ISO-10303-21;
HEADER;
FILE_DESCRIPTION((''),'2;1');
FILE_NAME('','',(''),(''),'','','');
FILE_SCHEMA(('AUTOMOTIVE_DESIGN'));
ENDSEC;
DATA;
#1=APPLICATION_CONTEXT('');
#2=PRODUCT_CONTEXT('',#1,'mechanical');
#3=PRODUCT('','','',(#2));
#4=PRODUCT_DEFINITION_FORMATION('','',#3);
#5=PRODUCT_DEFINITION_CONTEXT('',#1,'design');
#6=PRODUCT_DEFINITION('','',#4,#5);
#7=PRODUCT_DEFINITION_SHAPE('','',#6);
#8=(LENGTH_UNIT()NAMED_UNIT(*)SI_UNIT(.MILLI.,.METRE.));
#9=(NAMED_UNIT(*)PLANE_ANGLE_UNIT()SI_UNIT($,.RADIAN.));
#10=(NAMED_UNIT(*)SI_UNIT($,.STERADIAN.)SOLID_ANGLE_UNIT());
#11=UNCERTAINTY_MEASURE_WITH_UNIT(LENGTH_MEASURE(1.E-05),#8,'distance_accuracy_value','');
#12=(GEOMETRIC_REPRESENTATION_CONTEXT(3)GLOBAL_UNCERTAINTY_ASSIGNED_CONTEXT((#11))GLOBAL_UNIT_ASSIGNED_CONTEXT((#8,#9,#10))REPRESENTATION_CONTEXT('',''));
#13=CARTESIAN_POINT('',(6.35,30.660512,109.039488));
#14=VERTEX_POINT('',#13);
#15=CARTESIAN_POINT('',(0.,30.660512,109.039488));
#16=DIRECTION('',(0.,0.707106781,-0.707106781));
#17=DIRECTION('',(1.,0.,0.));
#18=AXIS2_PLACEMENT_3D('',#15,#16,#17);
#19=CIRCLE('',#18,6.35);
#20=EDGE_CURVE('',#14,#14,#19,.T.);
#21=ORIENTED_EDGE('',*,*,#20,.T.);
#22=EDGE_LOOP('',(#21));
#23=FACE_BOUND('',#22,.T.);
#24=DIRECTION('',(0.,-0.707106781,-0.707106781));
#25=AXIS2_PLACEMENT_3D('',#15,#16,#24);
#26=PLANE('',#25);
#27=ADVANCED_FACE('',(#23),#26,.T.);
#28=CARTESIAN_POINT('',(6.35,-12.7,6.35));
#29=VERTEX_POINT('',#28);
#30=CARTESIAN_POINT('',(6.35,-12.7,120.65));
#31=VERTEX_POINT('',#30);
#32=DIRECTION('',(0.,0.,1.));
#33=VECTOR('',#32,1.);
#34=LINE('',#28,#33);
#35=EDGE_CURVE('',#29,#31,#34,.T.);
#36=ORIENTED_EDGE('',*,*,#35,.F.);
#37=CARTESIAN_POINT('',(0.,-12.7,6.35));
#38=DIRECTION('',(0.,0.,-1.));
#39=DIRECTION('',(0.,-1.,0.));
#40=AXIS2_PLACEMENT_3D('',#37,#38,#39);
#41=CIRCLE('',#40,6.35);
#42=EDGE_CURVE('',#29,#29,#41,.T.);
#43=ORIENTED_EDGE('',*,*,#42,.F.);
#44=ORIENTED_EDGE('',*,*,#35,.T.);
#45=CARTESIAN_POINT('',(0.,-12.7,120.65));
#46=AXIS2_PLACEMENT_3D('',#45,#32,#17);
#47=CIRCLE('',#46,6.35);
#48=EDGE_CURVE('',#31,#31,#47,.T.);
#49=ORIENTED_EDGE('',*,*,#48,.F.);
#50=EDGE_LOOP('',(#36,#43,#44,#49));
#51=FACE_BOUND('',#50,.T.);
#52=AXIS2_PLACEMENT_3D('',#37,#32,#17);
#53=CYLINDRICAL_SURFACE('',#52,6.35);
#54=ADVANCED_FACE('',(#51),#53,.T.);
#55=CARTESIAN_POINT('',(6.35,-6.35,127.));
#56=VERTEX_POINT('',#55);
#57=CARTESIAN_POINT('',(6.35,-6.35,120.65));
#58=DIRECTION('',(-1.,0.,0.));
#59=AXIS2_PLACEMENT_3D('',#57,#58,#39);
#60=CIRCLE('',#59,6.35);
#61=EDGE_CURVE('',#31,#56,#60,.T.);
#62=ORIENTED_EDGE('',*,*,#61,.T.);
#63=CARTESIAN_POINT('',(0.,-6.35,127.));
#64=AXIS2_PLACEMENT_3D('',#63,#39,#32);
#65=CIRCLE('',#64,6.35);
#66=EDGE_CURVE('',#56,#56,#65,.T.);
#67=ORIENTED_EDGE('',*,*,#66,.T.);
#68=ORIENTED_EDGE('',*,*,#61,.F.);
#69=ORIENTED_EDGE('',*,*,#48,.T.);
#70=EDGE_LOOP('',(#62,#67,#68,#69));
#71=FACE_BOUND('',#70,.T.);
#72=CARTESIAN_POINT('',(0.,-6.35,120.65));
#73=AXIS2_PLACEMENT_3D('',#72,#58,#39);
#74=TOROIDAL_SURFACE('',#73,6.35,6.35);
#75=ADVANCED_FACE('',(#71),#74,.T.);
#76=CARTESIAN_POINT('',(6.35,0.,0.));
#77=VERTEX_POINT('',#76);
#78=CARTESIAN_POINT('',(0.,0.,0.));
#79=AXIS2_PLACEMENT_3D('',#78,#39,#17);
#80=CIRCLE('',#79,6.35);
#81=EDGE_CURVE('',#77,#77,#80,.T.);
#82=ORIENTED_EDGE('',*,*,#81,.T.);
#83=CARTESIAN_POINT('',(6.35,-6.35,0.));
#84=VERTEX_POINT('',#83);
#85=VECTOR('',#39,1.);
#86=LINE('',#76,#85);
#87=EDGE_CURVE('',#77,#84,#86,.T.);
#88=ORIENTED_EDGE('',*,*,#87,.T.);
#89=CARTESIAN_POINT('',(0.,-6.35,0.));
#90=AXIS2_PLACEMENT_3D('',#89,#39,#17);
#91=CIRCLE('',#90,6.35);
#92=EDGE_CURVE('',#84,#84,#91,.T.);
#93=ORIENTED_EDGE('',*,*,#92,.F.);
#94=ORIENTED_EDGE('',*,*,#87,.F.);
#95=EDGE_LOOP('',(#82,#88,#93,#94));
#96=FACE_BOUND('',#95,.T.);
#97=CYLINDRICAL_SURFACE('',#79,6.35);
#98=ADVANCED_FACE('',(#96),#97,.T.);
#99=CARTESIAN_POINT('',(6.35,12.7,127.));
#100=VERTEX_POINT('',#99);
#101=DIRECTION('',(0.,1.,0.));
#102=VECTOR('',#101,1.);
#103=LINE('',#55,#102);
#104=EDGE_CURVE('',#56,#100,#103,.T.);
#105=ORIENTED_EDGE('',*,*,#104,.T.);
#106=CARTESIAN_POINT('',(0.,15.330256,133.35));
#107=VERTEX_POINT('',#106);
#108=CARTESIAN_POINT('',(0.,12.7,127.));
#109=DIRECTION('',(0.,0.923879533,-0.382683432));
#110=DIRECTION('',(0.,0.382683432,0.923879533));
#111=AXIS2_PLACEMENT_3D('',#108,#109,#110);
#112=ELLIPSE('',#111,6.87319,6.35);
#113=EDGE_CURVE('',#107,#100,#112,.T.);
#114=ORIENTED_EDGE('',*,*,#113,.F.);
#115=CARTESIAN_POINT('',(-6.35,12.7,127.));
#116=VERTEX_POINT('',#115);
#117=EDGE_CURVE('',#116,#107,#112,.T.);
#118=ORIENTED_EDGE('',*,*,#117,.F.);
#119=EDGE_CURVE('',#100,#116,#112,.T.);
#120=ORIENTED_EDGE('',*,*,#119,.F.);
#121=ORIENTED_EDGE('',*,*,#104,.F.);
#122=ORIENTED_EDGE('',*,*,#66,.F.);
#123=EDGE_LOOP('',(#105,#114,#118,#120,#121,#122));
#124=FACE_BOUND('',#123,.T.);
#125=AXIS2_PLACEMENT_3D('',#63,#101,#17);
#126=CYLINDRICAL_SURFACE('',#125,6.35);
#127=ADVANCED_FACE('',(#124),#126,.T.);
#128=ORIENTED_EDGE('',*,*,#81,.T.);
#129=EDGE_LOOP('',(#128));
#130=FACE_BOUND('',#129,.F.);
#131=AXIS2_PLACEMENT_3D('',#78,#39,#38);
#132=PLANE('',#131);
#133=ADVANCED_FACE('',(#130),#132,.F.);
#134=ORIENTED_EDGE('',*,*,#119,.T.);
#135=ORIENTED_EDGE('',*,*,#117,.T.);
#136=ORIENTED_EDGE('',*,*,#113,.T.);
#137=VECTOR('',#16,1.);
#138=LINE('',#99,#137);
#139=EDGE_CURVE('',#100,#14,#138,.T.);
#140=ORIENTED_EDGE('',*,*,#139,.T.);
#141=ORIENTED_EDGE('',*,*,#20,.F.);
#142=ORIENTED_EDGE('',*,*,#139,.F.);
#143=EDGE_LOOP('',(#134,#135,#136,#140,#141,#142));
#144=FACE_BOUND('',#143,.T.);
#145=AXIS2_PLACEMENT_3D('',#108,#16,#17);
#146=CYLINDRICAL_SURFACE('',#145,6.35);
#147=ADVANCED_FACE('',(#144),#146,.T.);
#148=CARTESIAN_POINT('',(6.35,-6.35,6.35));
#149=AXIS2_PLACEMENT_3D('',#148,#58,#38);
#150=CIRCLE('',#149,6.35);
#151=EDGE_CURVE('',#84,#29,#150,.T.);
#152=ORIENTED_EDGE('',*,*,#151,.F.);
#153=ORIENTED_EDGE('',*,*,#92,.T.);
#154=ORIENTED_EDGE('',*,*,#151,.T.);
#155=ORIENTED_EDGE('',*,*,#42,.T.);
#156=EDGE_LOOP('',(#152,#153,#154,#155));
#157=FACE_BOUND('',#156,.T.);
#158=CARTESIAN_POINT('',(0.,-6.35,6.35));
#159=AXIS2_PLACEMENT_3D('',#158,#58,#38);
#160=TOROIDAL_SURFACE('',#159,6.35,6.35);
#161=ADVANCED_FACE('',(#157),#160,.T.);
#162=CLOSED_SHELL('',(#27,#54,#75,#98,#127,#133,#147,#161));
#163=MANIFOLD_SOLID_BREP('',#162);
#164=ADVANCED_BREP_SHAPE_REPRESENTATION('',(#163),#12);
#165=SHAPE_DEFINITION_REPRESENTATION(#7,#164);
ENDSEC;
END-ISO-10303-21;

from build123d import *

# Parameters (mm, degrees)
F0_R = 6.35


with BuildPart() as f2:
    # F2: sweep along a path in F1
    with BuildLine(Plane.YZ) as f2_path:
        Line((0, 0), (-6.35, 0))
        ThreePointArc((-6.35, 0), (-10.8401280605, 1.8598719395), (-12.7, 6.35))
        Line((-12.7, 6.35), (-12.7, 120.65))
        ThreePointArc((-12.7, 120.65), (-10.8401280605, 125.1401280605), (-6.35, 127))
        Line((-6.35, 127), (12.7, 127))
        Line((12.7, 127), (30.6605122421, 109.0394877579))
    # F0 (on Front) → F2 (sweep)
    with BuildSketch(Plane.XZ):
        Circle(F0_R)
    sweep(path=f2_path.line, transition=Transition.RIGHT)


solid = f2.part
